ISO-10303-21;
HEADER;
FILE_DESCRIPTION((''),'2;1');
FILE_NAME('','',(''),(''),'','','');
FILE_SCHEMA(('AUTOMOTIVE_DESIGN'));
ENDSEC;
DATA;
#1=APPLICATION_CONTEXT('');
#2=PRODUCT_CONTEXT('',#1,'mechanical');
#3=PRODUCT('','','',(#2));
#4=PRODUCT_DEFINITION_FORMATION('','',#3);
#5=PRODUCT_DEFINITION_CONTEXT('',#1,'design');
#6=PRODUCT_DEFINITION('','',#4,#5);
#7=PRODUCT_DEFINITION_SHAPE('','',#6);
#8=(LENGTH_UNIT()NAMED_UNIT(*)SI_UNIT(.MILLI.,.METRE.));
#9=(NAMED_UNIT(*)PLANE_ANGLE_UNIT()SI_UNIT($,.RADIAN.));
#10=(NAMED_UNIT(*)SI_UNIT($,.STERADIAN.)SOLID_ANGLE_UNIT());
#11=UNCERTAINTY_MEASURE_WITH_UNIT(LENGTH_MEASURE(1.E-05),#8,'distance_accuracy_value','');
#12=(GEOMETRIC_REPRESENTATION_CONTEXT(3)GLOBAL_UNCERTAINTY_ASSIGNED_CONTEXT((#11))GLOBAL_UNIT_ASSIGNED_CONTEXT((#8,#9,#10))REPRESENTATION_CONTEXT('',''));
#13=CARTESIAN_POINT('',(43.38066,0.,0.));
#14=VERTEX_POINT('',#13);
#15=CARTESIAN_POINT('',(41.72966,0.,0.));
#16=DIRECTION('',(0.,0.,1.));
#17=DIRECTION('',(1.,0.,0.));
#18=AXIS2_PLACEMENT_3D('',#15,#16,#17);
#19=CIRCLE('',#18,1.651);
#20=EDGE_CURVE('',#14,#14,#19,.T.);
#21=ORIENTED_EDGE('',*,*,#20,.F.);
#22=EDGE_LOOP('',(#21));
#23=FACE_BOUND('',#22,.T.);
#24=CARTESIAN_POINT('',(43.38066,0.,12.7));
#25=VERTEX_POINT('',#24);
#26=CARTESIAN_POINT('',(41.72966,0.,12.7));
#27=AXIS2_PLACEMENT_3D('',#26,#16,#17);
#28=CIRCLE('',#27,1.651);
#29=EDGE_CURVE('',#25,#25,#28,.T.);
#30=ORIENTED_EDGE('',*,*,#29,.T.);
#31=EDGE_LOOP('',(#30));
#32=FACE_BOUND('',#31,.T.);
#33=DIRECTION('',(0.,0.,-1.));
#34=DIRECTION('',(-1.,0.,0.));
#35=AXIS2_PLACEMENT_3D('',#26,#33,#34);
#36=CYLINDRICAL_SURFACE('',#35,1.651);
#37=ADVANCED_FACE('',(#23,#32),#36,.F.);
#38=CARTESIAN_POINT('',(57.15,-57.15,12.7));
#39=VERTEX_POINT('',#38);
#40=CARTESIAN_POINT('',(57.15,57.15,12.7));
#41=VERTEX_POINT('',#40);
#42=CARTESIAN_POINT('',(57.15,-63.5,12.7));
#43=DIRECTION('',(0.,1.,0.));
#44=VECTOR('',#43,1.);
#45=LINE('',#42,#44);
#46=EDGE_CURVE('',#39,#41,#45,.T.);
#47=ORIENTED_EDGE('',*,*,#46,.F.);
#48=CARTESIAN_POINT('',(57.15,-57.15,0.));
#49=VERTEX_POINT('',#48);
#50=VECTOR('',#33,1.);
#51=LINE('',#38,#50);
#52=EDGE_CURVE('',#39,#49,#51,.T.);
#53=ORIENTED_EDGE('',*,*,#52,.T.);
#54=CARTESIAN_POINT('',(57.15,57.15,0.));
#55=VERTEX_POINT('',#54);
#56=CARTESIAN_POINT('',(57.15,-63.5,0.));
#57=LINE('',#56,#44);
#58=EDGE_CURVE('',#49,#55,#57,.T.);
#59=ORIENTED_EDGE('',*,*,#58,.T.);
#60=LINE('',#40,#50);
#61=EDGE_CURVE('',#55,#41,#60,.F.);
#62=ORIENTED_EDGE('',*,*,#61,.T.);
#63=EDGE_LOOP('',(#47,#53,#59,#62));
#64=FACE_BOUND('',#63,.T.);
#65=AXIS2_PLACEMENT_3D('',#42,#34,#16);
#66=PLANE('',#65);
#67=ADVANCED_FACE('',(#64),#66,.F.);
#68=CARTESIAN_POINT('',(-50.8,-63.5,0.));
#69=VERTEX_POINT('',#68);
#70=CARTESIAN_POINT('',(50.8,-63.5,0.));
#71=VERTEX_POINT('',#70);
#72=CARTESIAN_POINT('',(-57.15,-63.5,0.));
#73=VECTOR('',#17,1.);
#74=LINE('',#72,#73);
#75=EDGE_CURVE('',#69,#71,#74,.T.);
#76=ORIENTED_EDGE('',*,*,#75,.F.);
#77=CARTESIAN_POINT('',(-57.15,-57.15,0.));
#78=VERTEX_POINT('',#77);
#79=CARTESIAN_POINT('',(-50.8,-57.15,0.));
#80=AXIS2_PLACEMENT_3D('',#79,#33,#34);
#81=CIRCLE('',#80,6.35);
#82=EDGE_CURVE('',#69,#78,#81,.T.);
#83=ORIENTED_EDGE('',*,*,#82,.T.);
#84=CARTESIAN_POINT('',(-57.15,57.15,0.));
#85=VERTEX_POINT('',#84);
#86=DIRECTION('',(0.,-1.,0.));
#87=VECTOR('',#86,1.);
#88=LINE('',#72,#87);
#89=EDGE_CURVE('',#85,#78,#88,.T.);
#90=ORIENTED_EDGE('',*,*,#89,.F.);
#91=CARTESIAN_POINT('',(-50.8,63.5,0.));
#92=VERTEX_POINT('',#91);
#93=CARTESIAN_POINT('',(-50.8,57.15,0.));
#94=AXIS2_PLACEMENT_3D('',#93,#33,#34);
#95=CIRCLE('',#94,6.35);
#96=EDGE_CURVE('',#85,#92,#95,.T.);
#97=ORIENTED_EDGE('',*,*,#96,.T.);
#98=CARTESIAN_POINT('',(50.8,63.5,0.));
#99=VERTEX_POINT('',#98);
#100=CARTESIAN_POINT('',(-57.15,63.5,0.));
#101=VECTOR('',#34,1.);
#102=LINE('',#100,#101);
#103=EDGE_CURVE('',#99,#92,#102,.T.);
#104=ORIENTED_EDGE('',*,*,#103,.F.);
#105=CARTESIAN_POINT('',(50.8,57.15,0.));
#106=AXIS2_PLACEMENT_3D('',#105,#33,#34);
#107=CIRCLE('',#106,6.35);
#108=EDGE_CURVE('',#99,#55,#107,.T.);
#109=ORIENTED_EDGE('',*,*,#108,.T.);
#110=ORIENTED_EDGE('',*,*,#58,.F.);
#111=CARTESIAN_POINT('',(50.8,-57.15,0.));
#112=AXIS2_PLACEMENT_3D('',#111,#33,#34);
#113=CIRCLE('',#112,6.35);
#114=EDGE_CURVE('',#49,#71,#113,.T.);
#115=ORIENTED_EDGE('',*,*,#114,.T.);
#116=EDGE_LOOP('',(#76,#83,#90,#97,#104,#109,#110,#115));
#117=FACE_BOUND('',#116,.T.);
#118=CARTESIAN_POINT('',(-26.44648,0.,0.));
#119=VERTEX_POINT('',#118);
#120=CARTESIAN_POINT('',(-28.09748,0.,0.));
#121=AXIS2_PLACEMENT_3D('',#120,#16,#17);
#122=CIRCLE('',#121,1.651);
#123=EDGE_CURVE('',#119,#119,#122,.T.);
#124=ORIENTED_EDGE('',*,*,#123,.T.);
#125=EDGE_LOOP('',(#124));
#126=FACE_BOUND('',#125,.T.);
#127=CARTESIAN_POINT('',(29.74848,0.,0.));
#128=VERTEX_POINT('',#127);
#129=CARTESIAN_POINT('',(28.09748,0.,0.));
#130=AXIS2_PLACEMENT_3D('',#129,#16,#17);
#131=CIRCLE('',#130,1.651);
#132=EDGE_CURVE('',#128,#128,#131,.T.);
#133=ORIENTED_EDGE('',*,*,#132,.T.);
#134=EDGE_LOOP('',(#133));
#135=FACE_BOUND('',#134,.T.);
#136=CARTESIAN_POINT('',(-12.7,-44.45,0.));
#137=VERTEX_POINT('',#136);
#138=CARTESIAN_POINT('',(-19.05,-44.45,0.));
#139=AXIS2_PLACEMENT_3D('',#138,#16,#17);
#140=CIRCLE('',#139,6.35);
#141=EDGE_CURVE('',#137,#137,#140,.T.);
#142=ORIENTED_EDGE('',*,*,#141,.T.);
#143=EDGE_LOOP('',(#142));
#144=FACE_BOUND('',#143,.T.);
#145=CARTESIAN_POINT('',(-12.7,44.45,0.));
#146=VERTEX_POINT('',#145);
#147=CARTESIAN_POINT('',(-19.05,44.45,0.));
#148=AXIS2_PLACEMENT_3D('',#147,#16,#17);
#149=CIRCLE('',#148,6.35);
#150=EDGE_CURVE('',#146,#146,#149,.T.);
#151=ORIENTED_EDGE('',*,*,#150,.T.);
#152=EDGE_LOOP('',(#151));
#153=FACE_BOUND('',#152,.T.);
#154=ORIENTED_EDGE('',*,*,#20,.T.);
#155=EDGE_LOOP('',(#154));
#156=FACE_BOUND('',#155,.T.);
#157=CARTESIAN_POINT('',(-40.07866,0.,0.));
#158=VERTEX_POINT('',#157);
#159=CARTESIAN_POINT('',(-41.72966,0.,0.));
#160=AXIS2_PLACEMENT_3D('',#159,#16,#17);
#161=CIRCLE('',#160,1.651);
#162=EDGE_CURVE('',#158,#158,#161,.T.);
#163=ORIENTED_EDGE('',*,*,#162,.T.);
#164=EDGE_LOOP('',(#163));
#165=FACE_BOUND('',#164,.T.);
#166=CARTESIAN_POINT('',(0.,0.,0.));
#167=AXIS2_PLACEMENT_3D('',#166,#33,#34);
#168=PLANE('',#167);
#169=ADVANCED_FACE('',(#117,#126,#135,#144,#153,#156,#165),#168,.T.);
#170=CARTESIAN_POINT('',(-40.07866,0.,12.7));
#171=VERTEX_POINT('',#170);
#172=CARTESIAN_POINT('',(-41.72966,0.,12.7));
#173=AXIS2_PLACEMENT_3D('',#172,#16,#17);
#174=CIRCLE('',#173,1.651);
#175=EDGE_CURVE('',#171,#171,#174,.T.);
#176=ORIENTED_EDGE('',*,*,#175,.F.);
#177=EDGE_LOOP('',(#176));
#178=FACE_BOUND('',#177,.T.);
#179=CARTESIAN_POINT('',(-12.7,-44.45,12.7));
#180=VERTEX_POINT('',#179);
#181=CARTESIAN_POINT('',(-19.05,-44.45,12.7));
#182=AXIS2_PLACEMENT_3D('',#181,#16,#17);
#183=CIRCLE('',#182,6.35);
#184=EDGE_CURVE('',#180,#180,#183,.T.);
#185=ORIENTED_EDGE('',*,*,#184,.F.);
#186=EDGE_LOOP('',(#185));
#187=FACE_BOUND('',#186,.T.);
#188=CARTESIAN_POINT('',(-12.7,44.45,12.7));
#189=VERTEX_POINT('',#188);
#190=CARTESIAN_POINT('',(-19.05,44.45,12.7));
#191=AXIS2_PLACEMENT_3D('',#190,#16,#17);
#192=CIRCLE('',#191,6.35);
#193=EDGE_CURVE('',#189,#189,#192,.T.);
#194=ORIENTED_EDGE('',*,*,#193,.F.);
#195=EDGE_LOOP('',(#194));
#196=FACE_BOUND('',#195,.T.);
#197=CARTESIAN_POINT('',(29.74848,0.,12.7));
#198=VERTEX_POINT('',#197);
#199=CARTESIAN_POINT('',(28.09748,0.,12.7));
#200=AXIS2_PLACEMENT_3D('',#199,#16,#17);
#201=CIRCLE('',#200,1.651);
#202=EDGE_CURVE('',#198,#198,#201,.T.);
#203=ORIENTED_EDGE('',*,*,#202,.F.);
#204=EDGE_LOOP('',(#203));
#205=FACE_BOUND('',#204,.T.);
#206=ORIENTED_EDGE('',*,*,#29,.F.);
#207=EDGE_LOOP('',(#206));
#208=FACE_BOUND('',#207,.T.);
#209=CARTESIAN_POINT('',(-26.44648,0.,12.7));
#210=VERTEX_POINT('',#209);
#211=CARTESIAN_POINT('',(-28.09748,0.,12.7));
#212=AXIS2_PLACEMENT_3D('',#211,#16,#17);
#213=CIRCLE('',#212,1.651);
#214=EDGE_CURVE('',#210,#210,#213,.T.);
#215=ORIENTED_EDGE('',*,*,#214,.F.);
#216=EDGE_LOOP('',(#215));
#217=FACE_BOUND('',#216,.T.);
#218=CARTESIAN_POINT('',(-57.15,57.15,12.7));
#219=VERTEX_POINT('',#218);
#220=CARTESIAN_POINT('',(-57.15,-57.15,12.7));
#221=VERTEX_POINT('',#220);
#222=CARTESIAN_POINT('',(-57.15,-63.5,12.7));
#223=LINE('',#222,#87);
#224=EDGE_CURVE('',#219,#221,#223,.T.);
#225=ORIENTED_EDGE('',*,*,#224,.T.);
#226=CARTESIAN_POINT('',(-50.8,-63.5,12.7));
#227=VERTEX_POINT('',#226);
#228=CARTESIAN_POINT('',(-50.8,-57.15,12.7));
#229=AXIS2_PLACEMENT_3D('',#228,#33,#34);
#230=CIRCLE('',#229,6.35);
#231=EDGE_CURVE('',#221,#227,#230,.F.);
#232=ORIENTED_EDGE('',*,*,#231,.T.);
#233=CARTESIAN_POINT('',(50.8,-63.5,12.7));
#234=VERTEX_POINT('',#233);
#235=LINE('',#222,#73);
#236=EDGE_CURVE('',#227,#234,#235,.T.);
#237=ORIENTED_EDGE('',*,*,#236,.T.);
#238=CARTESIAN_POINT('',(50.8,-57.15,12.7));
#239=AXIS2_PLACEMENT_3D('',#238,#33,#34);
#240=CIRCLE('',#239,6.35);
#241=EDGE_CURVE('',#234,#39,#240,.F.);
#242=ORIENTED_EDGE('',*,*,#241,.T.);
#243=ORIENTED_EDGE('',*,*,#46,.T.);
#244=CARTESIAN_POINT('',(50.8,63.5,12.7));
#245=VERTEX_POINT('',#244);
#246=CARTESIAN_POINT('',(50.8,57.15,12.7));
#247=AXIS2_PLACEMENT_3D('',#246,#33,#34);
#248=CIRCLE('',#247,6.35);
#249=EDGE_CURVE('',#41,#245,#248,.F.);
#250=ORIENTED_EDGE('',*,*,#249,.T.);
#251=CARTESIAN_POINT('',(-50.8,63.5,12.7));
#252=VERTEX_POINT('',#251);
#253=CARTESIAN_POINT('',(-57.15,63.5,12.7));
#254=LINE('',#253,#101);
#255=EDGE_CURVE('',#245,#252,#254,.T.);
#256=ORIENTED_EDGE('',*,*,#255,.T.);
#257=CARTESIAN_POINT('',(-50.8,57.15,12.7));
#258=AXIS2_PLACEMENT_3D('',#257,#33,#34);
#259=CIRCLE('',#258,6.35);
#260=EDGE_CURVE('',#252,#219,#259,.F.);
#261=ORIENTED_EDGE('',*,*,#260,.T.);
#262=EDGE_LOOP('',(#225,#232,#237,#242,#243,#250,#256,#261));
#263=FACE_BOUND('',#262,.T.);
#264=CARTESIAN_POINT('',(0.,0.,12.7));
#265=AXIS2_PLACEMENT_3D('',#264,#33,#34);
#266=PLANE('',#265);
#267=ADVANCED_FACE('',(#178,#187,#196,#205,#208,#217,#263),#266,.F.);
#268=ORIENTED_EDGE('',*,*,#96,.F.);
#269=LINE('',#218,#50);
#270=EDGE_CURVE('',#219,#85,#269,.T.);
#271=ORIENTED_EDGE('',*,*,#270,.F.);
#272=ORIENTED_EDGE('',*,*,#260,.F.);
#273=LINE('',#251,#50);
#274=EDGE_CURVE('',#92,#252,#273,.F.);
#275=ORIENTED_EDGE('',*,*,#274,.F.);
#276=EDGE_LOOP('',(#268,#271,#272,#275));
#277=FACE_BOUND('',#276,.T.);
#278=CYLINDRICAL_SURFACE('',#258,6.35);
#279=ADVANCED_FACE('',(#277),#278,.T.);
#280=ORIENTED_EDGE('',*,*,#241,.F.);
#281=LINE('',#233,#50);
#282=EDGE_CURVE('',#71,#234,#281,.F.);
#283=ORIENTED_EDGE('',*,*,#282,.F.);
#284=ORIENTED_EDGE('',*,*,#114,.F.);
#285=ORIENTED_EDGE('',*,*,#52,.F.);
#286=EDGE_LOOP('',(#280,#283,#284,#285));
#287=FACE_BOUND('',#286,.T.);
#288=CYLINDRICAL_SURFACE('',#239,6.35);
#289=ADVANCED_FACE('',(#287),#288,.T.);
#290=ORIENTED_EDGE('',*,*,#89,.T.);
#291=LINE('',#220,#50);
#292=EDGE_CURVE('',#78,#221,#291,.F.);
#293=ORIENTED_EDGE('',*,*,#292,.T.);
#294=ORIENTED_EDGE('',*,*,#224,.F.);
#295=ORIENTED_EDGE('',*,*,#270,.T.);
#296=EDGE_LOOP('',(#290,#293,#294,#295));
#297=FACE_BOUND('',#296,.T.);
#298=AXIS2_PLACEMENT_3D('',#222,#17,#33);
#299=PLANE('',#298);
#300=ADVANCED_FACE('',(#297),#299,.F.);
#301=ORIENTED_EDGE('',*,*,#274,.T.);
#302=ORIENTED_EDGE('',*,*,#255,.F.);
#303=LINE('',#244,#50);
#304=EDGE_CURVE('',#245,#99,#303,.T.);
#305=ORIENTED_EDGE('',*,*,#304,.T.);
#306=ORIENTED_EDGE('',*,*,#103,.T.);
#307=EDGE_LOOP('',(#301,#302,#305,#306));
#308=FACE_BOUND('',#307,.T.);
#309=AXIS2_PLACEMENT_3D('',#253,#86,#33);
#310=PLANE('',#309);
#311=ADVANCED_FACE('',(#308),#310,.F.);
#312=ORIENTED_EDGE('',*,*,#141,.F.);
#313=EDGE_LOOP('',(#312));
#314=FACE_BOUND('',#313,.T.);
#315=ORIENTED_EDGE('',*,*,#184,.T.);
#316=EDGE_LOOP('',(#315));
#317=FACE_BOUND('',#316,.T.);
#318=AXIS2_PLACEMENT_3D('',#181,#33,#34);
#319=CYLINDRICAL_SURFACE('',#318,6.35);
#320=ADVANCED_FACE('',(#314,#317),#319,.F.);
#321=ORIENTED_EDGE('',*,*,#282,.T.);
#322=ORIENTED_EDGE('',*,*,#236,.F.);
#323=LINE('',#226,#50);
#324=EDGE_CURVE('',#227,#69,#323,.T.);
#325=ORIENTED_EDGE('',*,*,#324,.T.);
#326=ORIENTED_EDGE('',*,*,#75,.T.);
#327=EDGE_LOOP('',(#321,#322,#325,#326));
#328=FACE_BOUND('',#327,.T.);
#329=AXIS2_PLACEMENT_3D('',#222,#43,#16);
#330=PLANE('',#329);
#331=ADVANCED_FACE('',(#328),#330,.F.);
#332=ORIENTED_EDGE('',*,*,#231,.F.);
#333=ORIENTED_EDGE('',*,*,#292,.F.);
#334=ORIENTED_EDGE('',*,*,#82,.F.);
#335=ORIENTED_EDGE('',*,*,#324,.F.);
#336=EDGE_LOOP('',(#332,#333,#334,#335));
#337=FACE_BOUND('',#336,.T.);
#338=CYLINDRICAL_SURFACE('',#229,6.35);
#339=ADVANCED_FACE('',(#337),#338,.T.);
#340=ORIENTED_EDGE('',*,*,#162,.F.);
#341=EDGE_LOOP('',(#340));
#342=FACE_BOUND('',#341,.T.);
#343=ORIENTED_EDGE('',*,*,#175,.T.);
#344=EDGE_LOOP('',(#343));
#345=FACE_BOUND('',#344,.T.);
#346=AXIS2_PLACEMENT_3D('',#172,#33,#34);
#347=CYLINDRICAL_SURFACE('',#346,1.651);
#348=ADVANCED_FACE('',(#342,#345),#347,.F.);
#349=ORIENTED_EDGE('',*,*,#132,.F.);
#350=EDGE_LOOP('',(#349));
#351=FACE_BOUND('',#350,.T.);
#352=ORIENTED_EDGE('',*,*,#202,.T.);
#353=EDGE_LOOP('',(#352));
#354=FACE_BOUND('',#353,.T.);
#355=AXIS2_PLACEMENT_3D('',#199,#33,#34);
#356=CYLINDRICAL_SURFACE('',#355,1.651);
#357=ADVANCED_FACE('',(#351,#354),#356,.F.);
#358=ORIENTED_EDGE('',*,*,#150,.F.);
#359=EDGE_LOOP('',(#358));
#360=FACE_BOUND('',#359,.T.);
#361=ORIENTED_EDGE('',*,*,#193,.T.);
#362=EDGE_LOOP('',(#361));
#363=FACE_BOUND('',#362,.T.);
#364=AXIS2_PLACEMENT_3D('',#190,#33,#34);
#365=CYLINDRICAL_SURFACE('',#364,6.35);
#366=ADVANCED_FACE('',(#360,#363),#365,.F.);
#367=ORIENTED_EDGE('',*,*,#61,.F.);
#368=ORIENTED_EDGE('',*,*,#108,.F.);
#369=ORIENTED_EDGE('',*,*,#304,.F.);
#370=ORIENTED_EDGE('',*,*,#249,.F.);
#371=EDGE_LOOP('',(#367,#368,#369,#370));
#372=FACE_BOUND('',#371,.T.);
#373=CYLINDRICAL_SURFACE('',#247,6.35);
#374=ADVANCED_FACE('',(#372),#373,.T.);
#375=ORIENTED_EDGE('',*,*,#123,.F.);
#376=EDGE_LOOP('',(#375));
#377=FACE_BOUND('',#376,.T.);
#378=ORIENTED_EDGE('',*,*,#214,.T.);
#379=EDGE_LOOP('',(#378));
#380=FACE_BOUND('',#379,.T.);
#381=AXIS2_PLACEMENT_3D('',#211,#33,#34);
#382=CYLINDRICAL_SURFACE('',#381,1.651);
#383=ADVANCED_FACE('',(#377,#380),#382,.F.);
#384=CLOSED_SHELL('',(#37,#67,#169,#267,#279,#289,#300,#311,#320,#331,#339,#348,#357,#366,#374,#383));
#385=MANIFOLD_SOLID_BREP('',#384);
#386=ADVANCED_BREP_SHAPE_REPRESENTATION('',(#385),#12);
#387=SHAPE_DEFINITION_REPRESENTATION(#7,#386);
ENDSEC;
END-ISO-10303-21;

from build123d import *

# Parameters (mm, degrees)
SKETCH1_W           = 114.3
SKETCH1_H           = 127
SKETCH1_R           = 1.651
SKETCH1_R_2         = 6.35
BOSS_EXTRUDE1_DEPTH = 12.7
FILLET1_R           = 6.35


with BuildPart() as part:
    # Sketch1 → Boss-Extrude1 (new body)
    with BuildSketch(Plane.XY):
        Rectangle(SKETCH1_W, SKETCH1_H)
        with Locations((-41.72966, 0)):
            Circle(SKETCH1_R, mode=Mode.SUBTRACT)
        with Locations((-28.09748, 0)):
            Circle(SKETCH1_R, mode=Mode.SUBTRACT)
        with Locations((28.09748, 0)):
            Circle(SKETCH1_R, mode=Mode.SUBTRACT)
        with Locations((41.72966, 0)):
            Circle(SKETCH1_R, mode=Mode.SUBTRACT)
        with Locations((-19.05, 44.45)):
            Circle(SKETCH1_R_2, mode=Mode.SUBTRACT)
        with Locations((-19.05, -44.45)):
            Circle(SKETCH1_R_2, mode=Mode.SUBTRACT)
    extrude(amount=BOSS_EXTRUDE1_DEPTH)

    # Fillet1
    fillet1_edges = [part.edges().sort_by_distance(p)[0] for p in [
        (57.15, -63.5, 6.35),
        (-57.15, -63.5, 6.35),
        (-57.15, 63.5, 6.35),
        (57.15, 63.5, 6.35),
    ]]
    fillet(fillet1_edges, radius=FILLET1_R)


solid = part.part
